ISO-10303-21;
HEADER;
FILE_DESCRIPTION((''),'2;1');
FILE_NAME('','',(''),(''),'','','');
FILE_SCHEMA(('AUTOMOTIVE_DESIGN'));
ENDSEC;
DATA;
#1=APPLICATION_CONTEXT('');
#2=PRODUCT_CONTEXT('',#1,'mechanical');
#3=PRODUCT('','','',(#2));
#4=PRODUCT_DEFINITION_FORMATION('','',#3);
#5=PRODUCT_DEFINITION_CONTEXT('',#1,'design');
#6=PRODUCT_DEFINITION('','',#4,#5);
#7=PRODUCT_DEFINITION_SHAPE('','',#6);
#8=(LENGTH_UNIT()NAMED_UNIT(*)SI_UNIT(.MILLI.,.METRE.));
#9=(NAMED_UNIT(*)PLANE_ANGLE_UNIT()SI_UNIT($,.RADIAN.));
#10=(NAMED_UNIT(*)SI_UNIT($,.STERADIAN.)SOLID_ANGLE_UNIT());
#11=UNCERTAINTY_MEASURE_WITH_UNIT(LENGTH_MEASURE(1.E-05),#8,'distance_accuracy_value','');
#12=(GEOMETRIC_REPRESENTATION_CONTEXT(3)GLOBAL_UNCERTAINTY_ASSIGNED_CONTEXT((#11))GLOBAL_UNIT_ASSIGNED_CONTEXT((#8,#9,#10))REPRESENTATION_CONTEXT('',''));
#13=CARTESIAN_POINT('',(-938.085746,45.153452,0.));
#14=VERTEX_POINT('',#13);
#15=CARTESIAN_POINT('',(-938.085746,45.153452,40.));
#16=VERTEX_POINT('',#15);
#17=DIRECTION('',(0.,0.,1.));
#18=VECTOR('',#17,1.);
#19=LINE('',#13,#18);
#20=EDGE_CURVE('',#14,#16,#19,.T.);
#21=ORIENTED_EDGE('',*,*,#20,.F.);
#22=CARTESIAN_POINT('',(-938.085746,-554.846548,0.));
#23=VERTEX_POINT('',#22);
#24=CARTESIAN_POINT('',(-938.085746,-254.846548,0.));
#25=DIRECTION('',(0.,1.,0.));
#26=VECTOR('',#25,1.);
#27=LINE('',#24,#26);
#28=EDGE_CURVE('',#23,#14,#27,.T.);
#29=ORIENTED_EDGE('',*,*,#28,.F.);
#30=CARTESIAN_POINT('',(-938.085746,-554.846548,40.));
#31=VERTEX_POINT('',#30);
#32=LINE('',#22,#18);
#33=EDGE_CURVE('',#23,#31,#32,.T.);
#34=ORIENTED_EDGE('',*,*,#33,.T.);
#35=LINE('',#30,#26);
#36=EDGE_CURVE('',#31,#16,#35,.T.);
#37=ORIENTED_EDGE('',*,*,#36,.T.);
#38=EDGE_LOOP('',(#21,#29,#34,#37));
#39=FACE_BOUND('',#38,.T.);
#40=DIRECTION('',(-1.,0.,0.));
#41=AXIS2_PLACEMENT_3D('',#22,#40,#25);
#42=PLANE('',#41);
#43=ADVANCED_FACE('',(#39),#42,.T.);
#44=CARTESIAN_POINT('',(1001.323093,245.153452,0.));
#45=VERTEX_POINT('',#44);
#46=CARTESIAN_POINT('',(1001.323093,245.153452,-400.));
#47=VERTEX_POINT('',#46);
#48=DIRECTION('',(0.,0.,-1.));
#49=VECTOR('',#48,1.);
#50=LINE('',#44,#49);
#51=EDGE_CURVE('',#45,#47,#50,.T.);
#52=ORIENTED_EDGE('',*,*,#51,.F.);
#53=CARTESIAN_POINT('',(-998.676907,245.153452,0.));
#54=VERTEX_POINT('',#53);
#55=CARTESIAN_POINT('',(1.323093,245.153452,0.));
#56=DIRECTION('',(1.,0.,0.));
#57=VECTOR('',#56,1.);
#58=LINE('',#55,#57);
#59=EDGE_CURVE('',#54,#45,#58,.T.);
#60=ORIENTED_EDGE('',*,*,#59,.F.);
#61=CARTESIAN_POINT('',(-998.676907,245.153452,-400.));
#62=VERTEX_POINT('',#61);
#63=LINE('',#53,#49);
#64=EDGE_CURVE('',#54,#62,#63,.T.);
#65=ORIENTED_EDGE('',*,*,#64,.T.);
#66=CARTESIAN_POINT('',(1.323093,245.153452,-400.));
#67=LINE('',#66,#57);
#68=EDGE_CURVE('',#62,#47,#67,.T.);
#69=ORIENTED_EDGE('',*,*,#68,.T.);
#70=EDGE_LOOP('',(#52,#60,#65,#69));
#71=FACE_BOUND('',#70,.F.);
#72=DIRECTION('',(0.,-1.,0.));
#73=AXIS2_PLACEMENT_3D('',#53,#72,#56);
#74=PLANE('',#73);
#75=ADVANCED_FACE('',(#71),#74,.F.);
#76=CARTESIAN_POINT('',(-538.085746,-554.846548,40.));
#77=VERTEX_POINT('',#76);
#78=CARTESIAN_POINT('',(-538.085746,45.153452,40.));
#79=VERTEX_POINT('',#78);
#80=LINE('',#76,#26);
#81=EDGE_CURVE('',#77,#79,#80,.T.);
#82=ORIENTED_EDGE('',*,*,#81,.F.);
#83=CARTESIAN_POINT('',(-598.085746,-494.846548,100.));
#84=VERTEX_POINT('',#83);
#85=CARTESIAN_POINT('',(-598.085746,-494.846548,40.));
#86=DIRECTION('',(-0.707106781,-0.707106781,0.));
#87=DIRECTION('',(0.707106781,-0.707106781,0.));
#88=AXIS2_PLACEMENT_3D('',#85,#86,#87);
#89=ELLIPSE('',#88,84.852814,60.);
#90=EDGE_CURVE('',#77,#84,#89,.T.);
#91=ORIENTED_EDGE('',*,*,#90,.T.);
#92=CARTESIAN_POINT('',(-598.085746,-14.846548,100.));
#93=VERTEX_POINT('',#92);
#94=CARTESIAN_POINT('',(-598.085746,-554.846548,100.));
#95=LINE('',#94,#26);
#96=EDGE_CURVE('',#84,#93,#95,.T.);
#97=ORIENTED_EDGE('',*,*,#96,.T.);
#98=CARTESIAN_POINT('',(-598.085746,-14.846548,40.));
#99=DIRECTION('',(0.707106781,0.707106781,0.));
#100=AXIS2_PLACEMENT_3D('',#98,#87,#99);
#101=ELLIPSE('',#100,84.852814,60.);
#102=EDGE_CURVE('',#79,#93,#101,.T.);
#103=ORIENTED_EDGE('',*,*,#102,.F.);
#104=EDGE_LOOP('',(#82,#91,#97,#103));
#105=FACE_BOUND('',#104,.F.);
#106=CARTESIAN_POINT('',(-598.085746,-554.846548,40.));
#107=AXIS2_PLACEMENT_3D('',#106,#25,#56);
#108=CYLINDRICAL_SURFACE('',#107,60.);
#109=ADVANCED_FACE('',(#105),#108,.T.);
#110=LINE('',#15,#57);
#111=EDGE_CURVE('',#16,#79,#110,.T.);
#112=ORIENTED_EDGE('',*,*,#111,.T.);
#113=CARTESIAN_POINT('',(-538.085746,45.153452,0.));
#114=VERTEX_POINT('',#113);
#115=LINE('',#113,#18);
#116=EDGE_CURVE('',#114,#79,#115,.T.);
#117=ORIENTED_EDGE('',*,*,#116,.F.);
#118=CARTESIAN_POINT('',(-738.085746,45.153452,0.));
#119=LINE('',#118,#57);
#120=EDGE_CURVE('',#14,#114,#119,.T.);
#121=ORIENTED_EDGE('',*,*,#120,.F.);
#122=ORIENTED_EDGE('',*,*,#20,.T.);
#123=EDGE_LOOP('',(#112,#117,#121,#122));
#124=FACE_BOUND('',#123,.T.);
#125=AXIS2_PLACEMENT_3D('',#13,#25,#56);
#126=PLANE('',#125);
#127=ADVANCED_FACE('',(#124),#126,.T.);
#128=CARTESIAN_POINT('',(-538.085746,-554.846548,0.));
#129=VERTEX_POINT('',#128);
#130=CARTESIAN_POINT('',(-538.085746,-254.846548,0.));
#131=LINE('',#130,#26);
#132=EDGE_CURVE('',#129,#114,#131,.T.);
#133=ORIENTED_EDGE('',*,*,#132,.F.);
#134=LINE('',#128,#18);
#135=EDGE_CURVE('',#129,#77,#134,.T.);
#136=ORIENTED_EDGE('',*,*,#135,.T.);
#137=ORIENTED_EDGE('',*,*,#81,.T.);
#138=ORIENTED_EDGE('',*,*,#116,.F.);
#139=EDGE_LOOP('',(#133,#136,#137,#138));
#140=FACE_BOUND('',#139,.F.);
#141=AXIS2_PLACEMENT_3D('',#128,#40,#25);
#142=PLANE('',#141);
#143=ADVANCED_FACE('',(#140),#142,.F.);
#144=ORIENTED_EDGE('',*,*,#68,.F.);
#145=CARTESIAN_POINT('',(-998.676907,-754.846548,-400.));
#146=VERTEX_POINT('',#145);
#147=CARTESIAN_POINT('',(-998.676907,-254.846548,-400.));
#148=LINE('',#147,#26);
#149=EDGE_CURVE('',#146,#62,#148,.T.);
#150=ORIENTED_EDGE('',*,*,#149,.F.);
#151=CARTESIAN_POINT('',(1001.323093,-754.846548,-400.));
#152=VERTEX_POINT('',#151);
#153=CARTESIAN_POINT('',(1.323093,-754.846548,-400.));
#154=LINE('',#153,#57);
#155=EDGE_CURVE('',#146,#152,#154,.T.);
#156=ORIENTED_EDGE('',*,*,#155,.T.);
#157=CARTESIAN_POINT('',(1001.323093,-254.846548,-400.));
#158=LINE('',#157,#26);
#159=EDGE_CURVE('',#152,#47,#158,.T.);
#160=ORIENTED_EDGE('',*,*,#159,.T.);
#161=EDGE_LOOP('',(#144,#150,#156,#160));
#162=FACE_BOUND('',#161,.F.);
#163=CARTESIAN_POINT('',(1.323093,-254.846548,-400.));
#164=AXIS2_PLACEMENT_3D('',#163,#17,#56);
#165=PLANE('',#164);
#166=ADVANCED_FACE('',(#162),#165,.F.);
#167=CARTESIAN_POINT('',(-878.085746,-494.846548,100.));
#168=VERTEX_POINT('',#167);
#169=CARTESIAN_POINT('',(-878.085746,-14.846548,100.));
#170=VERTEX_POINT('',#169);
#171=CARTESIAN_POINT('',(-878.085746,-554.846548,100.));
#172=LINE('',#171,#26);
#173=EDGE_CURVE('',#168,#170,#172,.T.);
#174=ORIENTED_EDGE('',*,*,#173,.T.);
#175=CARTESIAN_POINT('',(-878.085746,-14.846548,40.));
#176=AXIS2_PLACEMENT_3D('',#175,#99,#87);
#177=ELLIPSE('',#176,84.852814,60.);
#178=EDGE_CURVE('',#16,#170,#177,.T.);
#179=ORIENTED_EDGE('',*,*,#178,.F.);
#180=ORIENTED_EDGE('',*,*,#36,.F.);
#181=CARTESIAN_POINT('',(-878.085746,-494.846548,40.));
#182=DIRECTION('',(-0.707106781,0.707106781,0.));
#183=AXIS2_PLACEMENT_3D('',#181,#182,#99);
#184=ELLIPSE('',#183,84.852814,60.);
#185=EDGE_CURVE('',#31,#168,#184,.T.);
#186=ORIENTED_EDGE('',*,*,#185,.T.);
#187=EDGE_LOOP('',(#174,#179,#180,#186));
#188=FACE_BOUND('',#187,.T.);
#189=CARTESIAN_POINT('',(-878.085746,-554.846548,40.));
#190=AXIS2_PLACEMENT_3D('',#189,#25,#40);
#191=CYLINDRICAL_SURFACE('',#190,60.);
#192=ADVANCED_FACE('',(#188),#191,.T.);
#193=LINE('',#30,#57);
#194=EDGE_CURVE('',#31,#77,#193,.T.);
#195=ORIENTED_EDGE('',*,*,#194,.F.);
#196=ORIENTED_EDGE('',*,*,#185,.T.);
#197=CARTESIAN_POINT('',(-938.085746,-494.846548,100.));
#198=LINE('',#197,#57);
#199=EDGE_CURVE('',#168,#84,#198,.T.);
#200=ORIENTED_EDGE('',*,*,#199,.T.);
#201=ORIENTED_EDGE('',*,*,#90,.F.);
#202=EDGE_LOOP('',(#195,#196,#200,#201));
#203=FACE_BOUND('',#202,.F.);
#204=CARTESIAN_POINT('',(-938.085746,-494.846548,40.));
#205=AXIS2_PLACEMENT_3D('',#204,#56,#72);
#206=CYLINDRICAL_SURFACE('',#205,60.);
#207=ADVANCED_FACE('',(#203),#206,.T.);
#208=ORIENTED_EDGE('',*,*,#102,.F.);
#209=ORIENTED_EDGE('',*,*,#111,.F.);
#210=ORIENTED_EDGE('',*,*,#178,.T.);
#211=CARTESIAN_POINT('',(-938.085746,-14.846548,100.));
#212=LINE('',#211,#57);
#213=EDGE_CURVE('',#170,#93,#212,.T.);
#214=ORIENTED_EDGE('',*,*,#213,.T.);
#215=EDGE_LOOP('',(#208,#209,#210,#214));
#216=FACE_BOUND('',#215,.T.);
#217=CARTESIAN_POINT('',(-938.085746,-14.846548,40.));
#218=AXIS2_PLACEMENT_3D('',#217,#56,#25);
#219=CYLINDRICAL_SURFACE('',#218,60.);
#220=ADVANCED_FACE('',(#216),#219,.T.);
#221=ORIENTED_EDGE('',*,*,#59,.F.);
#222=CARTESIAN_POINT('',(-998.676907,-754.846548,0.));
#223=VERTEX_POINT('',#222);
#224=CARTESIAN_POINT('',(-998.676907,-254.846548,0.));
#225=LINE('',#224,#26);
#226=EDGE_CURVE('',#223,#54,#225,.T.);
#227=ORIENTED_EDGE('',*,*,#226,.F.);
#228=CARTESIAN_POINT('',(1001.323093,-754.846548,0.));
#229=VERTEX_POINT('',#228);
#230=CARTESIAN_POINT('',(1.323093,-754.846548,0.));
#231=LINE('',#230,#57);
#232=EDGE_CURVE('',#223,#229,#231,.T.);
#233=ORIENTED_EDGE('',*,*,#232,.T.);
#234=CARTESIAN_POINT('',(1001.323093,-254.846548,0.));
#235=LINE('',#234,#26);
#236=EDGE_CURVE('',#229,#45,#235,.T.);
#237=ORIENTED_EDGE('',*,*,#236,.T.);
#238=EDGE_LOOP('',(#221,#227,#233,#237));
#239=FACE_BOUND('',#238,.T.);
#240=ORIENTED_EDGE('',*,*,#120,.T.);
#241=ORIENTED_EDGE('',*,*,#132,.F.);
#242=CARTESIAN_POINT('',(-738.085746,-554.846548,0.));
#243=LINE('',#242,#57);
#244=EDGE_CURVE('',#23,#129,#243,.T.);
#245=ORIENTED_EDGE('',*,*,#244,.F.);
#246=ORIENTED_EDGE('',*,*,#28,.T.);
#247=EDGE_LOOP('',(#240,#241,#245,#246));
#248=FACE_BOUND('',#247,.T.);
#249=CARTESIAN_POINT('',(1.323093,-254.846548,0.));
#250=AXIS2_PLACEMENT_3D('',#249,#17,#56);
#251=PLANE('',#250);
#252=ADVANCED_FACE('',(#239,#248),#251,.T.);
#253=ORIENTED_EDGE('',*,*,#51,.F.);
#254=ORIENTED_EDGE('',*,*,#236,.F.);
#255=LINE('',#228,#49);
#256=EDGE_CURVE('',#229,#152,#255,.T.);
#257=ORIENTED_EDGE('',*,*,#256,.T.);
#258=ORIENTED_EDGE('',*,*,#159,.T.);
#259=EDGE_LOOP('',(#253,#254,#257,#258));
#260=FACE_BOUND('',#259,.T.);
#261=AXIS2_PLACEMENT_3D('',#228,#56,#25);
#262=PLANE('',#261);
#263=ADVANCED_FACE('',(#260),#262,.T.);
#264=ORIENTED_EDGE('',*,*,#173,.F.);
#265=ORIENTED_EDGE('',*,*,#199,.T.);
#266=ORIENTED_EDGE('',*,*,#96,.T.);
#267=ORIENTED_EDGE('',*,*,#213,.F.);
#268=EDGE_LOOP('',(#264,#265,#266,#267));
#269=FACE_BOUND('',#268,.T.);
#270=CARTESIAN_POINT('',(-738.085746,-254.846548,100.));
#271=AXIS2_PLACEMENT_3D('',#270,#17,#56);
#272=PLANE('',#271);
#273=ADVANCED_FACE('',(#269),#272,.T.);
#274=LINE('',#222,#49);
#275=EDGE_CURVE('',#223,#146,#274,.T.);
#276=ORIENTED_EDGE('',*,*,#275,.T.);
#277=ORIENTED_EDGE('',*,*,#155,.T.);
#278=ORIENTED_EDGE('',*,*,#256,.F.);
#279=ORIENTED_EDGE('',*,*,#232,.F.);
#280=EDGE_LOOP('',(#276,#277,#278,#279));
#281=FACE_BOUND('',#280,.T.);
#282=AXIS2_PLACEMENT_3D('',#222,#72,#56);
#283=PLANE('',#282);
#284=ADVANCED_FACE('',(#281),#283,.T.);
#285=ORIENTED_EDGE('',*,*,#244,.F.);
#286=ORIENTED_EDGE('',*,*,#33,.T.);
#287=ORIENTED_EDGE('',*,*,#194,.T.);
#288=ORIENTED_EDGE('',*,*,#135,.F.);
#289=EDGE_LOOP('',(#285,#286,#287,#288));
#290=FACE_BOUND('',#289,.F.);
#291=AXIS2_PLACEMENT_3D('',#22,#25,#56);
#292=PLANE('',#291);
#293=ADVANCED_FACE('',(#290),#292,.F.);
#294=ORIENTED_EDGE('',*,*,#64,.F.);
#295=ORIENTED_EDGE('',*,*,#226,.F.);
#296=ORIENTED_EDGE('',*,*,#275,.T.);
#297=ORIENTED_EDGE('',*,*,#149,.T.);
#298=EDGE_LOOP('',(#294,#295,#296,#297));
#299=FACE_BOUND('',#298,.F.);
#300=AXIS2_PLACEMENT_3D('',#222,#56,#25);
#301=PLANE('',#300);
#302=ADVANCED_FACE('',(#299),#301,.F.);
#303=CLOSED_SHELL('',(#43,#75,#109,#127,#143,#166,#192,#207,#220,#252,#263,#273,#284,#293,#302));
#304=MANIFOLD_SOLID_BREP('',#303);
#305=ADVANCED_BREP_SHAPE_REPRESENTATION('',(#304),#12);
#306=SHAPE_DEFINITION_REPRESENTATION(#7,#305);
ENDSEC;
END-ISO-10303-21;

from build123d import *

# Parameters (mm, degrees)
F0_W     = 2000
F0_H     = 1000
F2_DEPTH = 400
F1_W     = 400
F1_H     = 600
F3_DEPTH = 100
F4_R     = 60


with BuildPart() as f2:
    # F0 (on Top) → F2 (new body)
    with BuildSketch(Plane.XY):
        with Locations((1.323093, -254.846548)):
            Rectangle(F0_W, F0_H)
    extrude(amount=-F2_DEPTH)

    # F1 (on face) → F3 (join)
    with BuildSketch(Plane.XY):
        with Locations((-738.085746, -254.846548)):
            Rectangle(F1_W, F1_H)
    extrude(amount=F3_DEPTH)

    # F4
    f4_edges = [f2.edges().sort_by_distance(p)[0] for p in [
        (-738.085746, -554.846548, 100),
        (-738.085746, 45.153452, 100),
        (-538.085746, -254.846548, 100),
        (-938.085746, -254.846548, 100),
    ]]
    fillet(f4_edges, radius=F4_R)


solid = f2.part
